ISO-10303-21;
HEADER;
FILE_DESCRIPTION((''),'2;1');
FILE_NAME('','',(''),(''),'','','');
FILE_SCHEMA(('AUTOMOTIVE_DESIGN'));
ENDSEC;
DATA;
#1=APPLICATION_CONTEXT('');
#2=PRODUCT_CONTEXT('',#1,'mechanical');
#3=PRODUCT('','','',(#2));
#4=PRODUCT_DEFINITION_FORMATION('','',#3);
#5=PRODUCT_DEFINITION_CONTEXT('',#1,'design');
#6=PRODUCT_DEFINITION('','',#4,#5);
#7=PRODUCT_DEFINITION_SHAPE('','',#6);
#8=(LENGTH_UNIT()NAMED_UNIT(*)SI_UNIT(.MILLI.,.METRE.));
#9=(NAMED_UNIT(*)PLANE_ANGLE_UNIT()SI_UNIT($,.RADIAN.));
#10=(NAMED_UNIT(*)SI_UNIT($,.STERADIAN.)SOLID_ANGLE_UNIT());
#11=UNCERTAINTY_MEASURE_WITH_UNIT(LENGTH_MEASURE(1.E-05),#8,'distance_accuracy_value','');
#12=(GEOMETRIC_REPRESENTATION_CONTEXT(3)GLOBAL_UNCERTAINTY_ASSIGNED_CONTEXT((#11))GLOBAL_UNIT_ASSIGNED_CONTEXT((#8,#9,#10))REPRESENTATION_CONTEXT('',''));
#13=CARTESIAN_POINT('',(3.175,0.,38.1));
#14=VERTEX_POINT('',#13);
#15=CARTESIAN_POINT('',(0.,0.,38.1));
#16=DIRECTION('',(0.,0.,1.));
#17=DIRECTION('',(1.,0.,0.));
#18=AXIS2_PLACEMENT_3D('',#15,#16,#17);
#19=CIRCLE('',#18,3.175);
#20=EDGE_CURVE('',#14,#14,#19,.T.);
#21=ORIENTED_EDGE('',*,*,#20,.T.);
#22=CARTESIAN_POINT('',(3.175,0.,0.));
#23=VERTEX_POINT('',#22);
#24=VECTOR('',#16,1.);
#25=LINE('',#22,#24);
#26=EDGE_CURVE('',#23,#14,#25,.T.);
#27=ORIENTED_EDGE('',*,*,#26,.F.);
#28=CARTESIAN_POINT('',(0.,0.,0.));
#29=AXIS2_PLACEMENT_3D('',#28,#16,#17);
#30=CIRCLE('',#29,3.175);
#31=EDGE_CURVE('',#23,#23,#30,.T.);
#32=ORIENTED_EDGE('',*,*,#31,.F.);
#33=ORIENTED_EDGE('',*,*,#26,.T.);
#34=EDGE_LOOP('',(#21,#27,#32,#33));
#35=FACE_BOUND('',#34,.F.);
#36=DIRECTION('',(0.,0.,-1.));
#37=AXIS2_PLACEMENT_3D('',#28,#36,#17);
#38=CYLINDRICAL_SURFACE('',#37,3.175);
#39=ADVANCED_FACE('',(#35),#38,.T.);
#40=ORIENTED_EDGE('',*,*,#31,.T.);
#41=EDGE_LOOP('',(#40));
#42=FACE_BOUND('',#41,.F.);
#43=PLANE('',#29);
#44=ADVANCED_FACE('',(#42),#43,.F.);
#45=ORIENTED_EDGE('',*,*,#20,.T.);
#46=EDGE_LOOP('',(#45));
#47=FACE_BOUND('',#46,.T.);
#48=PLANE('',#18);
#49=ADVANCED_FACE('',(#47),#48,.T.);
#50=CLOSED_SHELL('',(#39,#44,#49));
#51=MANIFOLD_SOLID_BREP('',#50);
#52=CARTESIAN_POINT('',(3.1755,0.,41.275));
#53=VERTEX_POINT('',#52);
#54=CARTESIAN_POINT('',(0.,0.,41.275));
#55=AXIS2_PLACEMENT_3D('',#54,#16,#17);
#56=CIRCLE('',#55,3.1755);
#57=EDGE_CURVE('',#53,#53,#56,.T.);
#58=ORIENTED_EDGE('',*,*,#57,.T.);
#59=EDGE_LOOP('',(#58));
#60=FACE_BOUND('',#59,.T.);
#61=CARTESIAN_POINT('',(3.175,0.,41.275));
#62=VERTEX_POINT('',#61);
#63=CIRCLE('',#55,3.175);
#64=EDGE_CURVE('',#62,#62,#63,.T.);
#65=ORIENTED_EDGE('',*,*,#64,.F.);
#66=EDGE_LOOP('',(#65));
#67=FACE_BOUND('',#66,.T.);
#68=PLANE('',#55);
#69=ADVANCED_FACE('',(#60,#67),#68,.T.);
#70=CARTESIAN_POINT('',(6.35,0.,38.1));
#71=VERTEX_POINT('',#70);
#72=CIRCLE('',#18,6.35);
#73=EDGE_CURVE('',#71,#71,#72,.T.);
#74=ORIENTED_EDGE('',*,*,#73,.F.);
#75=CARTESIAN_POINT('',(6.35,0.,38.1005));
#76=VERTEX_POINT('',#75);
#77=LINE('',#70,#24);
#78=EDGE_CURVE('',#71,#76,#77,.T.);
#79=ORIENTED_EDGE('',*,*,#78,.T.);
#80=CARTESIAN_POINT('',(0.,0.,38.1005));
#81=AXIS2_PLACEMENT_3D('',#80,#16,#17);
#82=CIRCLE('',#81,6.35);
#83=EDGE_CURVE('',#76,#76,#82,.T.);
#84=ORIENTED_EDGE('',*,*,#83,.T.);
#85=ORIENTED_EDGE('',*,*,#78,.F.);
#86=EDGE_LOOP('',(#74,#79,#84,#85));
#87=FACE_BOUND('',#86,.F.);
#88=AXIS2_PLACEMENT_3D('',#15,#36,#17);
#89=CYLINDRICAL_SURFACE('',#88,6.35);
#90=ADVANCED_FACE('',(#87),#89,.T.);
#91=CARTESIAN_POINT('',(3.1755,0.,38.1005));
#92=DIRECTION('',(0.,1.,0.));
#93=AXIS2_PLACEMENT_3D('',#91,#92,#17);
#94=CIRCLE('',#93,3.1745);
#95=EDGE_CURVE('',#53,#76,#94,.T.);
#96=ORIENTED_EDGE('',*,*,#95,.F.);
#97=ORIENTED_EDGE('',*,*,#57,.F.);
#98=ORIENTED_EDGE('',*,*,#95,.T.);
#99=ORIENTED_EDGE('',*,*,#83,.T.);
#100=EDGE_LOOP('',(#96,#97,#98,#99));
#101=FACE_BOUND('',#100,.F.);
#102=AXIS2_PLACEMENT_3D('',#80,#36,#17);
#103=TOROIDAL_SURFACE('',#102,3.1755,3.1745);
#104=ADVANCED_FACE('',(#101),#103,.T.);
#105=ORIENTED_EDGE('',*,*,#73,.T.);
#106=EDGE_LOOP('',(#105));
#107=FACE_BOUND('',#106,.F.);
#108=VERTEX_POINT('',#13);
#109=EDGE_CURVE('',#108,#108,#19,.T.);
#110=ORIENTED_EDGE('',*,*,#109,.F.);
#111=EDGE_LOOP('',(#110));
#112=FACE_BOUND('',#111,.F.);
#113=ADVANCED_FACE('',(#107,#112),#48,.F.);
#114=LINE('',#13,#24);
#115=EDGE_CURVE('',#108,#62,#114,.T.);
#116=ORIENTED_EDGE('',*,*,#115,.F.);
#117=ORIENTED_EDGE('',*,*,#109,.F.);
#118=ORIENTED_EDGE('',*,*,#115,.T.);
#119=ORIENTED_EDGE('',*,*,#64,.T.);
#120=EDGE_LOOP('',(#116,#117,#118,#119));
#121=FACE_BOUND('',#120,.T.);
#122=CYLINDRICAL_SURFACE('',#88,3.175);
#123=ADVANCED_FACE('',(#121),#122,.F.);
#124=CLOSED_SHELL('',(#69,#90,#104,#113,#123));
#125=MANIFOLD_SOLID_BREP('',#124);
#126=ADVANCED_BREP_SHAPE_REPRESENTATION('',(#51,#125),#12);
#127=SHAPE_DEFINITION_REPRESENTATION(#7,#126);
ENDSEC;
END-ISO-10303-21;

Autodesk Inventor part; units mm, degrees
ref_plane "YZ Plane" through (0, 0, 0) normal (1, 0, 0) x (0, 1, 0)
ref_plane "XZ Plane" through (0, 0, 0) normal (0, 1, 0) x (-1, 0, 0)
ref_plane "XY Plane" through (0, 0, 0) normal (0, 0, 1) x (1, 0, 0)
sketch "Sketch1" plane through (0, 0, 0) normal (0, 0, 1) x (1, 0, 0)
  circle A0 centre (0, 0) radius 3.175
  dimension "d0" = 6.35
extrude "Extrusion1" add sketch "Sketch1" along normal blind 38.1
sketch "Sketch2" plane through (0, 0, 38.1) normal (0, 0, 1) x (1, 0, 0)
  circle A0 centre (0, 0) radius 3.175 projected
  circle A1 centre (0, 0) radius 6.35
  dimension "d3" = 12.7
extrude "Extrusion2" add sketch "Sketch2" along normal blind 3.175
fillet "Fillet1" radius 3.175 1 edges at (-6.35, 0, 41.275)
properties part number "ShooterWeight" material "Steel"
